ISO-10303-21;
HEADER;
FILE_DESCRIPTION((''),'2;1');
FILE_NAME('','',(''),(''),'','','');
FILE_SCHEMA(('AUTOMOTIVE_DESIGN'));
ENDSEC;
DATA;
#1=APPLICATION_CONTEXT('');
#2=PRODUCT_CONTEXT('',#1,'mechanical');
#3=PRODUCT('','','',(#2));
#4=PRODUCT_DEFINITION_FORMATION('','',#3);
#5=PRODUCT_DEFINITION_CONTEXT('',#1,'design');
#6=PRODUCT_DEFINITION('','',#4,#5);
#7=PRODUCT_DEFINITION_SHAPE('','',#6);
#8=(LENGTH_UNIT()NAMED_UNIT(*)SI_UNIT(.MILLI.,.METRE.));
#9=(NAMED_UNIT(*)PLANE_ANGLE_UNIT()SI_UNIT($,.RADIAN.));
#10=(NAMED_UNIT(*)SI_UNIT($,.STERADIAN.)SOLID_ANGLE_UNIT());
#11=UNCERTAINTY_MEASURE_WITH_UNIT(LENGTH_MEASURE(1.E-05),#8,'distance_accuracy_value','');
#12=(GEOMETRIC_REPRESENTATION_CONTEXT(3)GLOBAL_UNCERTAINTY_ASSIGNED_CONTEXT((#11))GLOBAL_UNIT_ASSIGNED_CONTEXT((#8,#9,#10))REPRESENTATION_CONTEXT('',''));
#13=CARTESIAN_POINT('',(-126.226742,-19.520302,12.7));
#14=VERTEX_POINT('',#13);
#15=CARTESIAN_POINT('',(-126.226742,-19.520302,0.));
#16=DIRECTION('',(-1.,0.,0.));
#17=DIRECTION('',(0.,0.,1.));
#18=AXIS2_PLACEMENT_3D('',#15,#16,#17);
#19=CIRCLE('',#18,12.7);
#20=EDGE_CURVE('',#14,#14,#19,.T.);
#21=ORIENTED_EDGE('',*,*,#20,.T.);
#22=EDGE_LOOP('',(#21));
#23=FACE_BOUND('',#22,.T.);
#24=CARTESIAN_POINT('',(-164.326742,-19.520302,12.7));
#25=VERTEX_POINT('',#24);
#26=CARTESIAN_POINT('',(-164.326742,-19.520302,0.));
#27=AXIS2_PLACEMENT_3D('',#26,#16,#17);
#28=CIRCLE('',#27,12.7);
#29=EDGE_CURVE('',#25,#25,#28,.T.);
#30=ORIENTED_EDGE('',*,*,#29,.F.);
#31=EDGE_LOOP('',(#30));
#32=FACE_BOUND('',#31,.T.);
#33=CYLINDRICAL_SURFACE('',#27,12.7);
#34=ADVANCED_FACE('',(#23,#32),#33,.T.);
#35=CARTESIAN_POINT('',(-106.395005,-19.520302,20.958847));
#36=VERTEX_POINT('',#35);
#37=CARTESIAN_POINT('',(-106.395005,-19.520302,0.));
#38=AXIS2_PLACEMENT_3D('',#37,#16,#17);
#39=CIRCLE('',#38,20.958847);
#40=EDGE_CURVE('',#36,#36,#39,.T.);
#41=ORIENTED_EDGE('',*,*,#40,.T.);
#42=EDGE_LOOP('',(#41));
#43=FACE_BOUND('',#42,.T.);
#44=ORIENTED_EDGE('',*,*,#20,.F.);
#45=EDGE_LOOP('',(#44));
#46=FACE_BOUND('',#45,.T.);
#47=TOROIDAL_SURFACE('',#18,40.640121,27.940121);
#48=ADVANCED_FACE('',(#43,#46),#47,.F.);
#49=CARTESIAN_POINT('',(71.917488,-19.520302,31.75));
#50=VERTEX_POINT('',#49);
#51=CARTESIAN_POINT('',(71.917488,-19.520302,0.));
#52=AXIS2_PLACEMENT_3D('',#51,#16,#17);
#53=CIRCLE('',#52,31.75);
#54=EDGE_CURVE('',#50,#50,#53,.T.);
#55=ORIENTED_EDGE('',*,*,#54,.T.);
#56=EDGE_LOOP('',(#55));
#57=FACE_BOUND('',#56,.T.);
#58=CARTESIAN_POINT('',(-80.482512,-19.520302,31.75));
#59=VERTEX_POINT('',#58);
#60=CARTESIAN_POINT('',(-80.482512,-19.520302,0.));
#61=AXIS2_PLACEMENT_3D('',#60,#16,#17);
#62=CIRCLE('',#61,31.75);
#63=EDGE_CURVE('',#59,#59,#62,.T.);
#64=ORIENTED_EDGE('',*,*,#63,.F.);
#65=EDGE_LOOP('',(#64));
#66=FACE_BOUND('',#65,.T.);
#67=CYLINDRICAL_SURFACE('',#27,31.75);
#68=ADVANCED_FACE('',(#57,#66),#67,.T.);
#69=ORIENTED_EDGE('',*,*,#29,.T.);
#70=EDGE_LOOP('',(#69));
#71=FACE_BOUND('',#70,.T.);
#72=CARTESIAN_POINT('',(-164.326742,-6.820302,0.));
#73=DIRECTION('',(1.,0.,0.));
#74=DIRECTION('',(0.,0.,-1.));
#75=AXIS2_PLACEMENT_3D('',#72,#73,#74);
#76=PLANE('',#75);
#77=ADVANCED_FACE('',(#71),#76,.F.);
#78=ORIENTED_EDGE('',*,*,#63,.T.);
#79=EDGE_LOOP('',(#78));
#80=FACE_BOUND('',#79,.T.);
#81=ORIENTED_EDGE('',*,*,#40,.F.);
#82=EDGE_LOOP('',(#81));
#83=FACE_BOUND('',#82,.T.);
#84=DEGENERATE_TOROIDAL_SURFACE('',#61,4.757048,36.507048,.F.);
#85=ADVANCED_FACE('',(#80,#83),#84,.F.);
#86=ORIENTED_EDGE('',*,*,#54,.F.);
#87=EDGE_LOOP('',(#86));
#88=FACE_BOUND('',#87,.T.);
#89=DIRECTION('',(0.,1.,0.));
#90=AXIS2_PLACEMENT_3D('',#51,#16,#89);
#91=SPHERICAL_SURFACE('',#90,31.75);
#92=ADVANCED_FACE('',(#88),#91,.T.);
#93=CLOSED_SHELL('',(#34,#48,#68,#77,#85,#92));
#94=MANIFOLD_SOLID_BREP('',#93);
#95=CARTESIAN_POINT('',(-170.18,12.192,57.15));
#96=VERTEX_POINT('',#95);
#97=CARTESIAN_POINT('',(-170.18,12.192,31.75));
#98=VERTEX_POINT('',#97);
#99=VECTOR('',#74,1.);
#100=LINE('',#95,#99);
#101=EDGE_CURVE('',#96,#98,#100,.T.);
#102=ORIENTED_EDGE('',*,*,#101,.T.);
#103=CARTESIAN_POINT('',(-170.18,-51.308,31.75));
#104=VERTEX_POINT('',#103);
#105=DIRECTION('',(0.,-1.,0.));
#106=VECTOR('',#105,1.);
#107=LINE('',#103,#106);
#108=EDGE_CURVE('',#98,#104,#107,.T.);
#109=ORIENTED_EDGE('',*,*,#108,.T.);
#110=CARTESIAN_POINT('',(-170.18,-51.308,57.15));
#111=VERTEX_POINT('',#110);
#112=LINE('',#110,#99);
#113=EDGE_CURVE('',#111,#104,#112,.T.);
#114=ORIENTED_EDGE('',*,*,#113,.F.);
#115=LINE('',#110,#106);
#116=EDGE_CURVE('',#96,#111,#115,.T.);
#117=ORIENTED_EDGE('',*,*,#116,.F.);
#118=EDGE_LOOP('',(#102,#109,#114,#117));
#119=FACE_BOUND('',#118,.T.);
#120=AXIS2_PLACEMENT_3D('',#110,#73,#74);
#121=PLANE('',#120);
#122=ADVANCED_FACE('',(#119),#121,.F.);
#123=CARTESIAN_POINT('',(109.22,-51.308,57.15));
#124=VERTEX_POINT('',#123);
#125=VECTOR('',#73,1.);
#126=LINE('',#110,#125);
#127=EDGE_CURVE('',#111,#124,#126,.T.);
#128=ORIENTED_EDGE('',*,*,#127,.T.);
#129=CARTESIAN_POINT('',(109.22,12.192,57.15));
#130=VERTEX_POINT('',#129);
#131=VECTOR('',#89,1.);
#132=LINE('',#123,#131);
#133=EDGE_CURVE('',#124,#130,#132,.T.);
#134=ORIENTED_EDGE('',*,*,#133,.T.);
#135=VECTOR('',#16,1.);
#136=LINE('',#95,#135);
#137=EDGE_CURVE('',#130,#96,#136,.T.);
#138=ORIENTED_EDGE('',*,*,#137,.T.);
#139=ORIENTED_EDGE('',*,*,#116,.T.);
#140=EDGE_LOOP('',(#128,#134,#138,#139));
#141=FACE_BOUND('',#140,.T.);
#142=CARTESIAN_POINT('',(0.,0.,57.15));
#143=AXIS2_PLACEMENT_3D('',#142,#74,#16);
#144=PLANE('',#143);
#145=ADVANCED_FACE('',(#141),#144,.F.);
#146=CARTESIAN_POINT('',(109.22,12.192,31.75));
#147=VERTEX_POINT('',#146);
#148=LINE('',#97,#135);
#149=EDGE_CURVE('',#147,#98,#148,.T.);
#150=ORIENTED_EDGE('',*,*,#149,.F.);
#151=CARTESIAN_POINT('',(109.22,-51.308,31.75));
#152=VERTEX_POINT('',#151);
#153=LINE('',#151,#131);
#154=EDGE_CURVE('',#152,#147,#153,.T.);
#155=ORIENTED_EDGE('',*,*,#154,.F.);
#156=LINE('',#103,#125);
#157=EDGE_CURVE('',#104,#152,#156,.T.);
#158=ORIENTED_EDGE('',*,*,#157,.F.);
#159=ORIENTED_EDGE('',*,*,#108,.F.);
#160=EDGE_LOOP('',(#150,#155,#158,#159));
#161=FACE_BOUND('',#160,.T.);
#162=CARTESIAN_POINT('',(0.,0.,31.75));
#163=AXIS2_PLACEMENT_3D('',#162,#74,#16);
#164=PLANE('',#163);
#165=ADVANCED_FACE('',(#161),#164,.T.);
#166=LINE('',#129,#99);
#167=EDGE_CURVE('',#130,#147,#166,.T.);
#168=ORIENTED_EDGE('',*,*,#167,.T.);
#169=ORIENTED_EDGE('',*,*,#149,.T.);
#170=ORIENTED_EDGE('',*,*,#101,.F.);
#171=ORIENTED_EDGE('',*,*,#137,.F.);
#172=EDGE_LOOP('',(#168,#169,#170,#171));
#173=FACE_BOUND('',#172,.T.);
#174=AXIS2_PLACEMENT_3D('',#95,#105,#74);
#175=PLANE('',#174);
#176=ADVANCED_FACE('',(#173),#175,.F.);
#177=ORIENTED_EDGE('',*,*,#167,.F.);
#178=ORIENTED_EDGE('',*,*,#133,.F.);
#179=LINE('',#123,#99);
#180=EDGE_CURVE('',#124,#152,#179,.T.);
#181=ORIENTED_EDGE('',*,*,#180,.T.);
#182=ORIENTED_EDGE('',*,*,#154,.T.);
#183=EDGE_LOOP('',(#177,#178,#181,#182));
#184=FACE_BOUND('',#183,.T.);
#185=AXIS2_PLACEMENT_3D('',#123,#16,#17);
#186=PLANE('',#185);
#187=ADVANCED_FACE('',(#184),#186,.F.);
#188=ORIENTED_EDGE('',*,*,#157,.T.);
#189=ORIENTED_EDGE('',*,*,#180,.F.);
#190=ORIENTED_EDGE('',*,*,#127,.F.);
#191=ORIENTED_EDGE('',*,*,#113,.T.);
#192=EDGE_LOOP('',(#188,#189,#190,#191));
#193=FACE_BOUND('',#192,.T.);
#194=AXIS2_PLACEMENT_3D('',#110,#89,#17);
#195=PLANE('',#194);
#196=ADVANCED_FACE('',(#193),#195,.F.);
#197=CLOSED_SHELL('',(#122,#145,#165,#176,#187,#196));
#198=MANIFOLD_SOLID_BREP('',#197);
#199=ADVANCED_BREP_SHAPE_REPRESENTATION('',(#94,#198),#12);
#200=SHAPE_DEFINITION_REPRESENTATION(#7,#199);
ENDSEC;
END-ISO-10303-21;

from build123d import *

# Parameters (mm, degrees)
SKETCH2_W           = 279.4
SKETCH2_H           = 63.5
BOSS_EXTRUDE1_DEPTH = 25.4


with BuildPart() as part:
    # Sketch1 → Revolve2 (revolve)
    with BuildSketch(Plane.XY, mode=Mode.PRIVATE) as revolve2_sk:
        with BuildLine():
            Line((-126.226742161, -6.820301867), (-164.326742161, -6.820301867))
            Line((-164.326742161, -6.820301867), (-164.326742161, -19.520301867))
            Line((-164.326742161, -19.520301867), (103.66748842, -19.520301867))
            ThreePointArc((103.66748842, -19.520301867), (94.368128723, 2.930338436), (71.91748842, 12.229698133))
            Line((71.91748842, 12.229698133), (-80.48251158, 12.229698133))
            ThreePointArc((-80.48251158, 12.229698133), (-94.517345864, 9.424103828), (-106.395004854, 1.438545006))
            ThreePointArc((-106.395004854, 1.438545006), (-115.485392661, -4.673082428), (-126.226742161, -6.820301867))
        make_face()
    revolve(revolve2_sk.sketch.rotate(Axis((-164.326742161, -19.520301867, 0), (1, 0, 0)), 90), axis=Axis((-164.326742161, -19.520301867, 0), (1, 0, 0)))


with BuildPart() as body_2:
    # Sketch2 → Boss-Extrude1 (new body)
    with BuildSketch(Plane.XY.offset(31.75)):
        with Locations((-30.48, -19.558)):
            Rectangle(SKETCH2_W, SKETCH2_H)
    extrude(amount=BOSS_EXTRUDE1_DEPTH)


solid = Compound([part.part, body_2.part])
